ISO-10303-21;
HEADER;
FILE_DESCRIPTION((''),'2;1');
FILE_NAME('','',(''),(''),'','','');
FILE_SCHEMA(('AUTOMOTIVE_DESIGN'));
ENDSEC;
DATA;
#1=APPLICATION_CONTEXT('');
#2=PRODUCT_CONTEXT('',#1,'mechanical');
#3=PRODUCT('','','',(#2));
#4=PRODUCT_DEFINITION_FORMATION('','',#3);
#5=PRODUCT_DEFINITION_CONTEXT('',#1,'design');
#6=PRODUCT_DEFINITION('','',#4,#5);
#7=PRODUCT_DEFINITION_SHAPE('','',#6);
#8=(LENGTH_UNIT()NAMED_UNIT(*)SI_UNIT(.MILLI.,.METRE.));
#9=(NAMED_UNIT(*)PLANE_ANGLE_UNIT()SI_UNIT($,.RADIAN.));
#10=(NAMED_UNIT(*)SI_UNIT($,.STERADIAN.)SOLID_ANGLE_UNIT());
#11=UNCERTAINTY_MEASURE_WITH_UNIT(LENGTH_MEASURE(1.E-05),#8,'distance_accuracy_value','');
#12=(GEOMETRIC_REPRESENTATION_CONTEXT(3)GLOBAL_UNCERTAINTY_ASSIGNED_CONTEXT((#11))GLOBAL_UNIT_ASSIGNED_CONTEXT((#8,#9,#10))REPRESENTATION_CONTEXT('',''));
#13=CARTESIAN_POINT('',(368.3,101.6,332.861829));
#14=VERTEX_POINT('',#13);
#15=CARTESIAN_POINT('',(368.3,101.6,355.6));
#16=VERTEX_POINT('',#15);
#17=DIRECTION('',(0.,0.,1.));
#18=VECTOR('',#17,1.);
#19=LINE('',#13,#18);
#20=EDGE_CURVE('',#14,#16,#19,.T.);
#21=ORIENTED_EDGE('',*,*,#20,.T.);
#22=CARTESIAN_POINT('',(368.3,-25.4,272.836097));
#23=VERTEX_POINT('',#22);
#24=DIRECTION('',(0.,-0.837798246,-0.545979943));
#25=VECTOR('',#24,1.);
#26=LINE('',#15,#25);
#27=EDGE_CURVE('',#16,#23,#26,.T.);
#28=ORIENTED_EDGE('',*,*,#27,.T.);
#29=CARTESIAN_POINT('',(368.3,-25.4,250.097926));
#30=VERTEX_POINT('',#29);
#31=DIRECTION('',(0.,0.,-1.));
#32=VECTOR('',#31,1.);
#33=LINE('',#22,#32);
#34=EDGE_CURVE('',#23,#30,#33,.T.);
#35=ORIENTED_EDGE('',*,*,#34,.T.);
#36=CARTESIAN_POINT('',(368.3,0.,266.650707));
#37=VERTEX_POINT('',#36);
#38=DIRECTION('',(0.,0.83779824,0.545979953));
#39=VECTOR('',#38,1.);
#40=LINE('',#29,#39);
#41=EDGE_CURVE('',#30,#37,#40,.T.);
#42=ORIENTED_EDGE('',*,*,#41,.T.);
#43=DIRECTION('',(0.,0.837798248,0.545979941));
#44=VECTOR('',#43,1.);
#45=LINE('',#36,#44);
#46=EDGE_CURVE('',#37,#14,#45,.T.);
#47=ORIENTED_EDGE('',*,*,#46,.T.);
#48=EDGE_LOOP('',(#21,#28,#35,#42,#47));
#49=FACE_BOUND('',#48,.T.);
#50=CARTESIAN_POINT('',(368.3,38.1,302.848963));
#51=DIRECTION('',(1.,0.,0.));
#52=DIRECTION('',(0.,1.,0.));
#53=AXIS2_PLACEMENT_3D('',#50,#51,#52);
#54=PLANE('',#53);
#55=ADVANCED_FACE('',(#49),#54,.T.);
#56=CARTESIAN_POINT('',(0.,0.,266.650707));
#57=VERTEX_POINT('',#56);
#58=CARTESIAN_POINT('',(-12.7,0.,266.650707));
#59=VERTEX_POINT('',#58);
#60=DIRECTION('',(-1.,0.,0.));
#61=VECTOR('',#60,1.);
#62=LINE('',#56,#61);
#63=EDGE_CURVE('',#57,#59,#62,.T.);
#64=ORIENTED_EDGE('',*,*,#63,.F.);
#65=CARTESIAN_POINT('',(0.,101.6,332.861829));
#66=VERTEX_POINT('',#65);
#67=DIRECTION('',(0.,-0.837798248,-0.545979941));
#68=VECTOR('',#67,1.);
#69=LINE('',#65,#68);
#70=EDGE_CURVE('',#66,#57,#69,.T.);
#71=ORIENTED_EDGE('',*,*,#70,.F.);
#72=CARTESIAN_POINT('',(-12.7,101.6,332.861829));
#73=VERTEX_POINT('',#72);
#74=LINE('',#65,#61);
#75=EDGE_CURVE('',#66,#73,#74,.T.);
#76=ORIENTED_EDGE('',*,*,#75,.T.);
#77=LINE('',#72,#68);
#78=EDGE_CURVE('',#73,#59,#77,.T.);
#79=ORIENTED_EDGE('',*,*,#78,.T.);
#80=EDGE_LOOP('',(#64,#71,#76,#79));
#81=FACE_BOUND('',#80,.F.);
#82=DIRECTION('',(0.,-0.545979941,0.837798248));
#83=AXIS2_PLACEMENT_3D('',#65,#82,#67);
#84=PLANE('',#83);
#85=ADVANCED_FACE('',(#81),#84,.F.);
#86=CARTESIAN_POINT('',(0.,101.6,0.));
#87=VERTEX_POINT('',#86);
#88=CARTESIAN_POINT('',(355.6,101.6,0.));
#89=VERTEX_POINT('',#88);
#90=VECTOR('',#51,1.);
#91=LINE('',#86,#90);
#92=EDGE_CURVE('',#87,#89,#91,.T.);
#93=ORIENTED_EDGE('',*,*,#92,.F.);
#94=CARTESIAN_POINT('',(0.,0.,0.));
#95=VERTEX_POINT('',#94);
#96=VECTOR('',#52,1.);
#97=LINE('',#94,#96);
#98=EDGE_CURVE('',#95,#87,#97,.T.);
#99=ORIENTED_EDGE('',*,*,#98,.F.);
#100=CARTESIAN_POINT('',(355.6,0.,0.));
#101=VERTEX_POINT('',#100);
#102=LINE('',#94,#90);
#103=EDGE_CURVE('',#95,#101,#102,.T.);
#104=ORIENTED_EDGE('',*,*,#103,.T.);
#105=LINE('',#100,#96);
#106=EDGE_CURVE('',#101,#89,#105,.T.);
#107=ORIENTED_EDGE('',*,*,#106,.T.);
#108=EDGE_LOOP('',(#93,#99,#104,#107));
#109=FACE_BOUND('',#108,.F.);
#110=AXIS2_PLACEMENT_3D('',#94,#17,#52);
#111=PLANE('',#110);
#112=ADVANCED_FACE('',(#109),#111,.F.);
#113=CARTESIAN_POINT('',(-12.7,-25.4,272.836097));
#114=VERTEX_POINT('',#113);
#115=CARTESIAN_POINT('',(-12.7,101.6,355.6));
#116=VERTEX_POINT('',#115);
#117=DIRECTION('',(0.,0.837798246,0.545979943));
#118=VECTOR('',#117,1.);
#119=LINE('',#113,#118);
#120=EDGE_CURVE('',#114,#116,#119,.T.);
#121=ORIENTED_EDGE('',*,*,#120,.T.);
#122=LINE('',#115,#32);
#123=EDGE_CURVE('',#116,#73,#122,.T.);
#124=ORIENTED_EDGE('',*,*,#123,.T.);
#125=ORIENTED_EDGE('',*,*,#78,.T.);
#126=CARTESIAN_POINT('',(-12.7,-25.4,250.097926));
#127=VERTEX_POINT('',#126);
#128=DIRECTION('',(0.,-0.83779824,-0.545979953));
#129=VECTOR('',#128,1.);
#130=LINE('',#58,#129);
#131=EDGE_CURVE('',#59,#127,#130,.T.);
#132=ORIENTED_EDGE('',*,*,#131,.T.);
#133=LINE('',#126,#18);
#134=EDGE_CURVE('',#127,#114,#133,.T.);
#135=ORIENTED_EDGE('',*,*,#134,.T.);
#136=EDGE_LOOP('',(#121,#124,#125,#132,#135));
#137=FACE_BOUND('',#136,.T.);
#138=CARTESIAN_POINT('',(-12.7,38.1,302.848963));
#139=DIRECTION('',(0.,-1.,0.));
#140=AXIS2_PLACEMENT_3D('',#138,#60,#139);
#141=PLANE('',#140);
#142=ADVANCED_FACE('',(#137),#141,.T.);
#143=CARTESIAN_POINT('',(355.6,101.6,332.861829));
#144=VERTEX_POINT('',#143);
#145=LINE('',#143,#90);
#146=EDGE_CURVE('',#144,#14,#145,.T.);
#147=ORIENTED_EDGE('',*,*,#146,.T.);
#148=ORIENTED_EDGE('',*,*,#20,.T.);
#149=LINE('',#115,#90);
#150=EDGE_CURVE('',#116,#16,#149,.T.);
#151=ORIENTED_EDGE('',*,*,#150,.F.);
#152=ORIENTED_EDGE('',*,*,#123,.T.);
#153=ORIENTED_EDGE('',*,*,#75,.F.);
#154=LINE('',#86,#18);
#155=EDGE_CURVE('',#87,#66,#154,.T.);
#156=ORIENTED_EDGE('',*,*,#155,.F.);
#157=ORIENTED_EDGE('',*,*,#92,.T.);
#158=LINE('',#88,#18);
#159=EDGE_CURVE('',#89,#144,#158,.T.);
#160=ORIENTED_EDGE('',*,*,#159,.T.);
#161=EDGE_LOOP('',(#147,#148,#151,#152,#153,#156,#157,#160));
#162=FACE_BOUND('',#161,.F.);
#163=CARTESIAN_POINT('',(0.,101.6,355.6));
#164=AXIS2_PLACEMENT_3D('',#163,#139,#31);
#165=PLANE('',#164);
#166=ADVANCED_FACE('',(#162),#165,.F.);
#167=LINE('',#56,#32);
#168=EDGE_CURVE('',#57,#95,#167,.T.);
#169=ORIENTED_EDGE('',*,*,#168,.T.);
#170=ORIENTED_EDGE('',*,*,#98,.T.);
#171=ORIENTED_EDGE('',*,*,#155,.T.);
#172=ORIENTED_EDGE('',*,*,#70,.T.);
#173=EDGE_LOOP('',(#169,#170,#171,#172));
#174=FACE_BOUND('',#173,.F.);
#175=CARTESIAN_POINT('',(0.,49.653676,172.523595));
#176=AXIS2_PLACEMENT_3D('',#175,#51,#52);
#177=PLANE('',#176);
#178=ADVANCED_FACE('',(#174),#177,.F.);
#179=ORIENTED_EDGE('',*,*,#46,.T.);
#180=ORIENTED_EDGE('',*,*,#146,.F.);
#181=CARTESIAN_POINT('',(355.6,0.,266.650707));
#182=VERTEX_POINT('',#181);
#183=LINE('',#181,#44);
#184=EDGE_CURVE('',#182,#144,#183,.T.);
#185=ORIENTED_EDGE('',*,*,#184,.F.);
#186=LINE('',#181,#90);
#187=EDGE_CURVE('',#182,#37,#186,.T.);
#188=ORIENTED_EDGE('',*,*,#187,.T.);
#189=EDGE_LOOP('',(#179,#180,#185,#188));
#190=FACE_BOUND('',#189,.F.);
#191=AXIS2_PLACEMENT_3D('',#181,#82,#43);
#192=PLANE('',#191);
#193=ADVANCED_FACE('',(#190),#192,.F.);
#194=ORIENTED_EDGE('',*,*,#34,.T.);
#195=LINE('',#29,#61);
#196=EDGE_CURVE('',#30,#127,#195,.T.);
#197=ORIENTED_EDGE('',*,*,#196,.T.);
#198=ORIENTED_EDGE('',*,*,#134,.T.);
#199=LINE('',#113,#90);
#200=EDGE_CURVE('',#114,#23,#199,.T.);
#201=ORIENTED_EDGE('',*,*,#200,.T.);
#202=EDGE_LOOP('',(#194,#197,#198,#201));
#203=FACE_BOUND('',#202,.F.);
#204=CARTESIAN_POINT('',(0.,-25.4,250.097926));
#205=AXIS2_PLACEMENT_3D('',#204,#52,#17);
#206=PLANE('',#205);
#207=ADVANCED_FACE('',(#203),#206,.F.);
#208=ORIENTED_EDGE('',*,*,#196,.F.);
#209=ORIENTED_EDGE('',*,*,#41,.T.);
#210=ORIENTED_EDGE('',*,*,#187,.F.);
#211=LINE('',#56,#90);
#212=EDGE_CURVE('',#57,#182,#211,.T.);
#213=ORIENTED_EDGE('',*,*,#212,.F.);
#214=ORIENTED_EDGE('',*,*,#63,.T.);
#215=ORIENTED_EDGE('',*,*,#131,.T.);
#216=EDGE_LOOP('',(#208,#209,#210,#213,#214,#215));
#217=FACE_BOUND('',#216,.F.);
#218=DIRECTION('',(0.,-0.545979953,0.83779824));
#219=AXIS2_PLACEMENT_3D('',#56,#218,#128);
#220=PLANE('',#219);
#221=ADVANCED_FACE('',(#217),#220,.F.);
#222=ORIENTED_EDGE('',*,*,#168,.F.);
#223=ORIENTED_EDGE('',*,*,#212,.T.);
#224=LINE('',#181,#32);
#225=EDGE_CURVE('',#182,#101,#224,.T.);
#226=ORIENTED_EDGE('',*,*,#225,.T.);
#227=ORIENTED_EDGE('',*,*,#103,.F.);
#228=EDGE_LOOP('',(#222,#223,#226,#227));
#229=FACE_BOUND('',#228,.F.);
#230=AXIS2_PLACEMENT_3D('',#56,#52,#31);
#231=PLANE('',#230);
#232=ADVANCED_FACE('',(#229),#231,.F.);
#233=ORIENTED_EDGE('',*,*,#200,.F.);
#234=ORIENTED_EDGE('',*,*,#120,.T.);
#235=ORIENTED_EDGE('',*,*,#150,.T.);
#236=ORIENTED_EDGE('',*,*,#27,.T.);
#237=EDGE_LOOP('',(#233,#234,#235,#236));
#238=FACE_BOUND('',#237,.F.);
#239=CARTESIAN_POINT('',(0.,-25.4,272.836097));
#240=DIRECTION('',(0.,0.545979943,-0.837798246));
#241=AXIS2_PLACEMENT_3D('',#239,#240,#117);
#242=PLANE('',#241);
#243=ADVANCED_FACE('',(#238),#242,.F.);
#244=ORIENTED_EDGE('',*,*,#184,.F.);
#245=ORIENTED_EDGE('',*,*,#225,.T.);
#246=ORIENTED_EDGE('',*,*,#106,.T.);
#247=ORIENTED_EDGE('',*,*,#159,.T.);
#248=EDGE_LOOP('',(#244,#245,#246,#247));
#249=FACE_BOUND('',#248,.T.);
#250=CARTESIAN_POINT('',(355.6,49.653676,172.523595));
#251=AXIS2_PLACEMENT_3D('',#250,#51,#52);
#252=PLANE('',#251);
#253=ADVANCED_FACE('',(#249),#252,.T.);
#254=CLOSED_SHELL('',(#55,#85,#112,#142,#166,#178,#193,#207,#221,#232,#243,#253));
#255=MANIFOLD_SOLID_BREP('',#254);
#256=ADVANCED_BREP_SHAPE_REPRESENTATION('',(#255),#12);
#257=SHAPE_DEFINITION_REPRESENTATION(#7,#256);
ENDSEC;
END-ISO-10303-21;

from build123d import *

# Parameters (mm, degrees)
F1_DEPTH = 355.6
F3_DEPTH = 12.7
F5_DEPTH = 12.7


with BuildPart() as f1:
    # F0 (on Right) → F1 (new body)
    with BuildSketch(Plane.YZ):
        Polygon((0, 266.650707), (0, 0), (101.6, 0), (101.6, 355.6), (-25.4, 272.836097), (-25.4, 250.097926), align=None)
    extrude(amount=F1_DEPTH)

    # F2 (on face) → F3 (join)
    with BuildSketch(Plane.YZ.offset(355.6)):
        Polygon((-25.4, 250.097926), (0, 266.650707), (101.6, 332.861829), (101.6, 355.6), (-25.4, 272.836097), align=None)
    extrude(amount=F3_DEPTH)

    # F4 (on face) → F5 (join)
    with BuildSketch(Plane(origin=(0, 0, 0), x_dir=(0, -1, 0), z_dir=(-1, 0, 0))):
        Polygon((-101.6, 332.861829), (0, 266.650707), (25.4, 250.097926), (25.4, 272.836097), (-101.6, 355.6), align=None)
    extrude(amount=F5_DEPTH)


solid = f1.part
